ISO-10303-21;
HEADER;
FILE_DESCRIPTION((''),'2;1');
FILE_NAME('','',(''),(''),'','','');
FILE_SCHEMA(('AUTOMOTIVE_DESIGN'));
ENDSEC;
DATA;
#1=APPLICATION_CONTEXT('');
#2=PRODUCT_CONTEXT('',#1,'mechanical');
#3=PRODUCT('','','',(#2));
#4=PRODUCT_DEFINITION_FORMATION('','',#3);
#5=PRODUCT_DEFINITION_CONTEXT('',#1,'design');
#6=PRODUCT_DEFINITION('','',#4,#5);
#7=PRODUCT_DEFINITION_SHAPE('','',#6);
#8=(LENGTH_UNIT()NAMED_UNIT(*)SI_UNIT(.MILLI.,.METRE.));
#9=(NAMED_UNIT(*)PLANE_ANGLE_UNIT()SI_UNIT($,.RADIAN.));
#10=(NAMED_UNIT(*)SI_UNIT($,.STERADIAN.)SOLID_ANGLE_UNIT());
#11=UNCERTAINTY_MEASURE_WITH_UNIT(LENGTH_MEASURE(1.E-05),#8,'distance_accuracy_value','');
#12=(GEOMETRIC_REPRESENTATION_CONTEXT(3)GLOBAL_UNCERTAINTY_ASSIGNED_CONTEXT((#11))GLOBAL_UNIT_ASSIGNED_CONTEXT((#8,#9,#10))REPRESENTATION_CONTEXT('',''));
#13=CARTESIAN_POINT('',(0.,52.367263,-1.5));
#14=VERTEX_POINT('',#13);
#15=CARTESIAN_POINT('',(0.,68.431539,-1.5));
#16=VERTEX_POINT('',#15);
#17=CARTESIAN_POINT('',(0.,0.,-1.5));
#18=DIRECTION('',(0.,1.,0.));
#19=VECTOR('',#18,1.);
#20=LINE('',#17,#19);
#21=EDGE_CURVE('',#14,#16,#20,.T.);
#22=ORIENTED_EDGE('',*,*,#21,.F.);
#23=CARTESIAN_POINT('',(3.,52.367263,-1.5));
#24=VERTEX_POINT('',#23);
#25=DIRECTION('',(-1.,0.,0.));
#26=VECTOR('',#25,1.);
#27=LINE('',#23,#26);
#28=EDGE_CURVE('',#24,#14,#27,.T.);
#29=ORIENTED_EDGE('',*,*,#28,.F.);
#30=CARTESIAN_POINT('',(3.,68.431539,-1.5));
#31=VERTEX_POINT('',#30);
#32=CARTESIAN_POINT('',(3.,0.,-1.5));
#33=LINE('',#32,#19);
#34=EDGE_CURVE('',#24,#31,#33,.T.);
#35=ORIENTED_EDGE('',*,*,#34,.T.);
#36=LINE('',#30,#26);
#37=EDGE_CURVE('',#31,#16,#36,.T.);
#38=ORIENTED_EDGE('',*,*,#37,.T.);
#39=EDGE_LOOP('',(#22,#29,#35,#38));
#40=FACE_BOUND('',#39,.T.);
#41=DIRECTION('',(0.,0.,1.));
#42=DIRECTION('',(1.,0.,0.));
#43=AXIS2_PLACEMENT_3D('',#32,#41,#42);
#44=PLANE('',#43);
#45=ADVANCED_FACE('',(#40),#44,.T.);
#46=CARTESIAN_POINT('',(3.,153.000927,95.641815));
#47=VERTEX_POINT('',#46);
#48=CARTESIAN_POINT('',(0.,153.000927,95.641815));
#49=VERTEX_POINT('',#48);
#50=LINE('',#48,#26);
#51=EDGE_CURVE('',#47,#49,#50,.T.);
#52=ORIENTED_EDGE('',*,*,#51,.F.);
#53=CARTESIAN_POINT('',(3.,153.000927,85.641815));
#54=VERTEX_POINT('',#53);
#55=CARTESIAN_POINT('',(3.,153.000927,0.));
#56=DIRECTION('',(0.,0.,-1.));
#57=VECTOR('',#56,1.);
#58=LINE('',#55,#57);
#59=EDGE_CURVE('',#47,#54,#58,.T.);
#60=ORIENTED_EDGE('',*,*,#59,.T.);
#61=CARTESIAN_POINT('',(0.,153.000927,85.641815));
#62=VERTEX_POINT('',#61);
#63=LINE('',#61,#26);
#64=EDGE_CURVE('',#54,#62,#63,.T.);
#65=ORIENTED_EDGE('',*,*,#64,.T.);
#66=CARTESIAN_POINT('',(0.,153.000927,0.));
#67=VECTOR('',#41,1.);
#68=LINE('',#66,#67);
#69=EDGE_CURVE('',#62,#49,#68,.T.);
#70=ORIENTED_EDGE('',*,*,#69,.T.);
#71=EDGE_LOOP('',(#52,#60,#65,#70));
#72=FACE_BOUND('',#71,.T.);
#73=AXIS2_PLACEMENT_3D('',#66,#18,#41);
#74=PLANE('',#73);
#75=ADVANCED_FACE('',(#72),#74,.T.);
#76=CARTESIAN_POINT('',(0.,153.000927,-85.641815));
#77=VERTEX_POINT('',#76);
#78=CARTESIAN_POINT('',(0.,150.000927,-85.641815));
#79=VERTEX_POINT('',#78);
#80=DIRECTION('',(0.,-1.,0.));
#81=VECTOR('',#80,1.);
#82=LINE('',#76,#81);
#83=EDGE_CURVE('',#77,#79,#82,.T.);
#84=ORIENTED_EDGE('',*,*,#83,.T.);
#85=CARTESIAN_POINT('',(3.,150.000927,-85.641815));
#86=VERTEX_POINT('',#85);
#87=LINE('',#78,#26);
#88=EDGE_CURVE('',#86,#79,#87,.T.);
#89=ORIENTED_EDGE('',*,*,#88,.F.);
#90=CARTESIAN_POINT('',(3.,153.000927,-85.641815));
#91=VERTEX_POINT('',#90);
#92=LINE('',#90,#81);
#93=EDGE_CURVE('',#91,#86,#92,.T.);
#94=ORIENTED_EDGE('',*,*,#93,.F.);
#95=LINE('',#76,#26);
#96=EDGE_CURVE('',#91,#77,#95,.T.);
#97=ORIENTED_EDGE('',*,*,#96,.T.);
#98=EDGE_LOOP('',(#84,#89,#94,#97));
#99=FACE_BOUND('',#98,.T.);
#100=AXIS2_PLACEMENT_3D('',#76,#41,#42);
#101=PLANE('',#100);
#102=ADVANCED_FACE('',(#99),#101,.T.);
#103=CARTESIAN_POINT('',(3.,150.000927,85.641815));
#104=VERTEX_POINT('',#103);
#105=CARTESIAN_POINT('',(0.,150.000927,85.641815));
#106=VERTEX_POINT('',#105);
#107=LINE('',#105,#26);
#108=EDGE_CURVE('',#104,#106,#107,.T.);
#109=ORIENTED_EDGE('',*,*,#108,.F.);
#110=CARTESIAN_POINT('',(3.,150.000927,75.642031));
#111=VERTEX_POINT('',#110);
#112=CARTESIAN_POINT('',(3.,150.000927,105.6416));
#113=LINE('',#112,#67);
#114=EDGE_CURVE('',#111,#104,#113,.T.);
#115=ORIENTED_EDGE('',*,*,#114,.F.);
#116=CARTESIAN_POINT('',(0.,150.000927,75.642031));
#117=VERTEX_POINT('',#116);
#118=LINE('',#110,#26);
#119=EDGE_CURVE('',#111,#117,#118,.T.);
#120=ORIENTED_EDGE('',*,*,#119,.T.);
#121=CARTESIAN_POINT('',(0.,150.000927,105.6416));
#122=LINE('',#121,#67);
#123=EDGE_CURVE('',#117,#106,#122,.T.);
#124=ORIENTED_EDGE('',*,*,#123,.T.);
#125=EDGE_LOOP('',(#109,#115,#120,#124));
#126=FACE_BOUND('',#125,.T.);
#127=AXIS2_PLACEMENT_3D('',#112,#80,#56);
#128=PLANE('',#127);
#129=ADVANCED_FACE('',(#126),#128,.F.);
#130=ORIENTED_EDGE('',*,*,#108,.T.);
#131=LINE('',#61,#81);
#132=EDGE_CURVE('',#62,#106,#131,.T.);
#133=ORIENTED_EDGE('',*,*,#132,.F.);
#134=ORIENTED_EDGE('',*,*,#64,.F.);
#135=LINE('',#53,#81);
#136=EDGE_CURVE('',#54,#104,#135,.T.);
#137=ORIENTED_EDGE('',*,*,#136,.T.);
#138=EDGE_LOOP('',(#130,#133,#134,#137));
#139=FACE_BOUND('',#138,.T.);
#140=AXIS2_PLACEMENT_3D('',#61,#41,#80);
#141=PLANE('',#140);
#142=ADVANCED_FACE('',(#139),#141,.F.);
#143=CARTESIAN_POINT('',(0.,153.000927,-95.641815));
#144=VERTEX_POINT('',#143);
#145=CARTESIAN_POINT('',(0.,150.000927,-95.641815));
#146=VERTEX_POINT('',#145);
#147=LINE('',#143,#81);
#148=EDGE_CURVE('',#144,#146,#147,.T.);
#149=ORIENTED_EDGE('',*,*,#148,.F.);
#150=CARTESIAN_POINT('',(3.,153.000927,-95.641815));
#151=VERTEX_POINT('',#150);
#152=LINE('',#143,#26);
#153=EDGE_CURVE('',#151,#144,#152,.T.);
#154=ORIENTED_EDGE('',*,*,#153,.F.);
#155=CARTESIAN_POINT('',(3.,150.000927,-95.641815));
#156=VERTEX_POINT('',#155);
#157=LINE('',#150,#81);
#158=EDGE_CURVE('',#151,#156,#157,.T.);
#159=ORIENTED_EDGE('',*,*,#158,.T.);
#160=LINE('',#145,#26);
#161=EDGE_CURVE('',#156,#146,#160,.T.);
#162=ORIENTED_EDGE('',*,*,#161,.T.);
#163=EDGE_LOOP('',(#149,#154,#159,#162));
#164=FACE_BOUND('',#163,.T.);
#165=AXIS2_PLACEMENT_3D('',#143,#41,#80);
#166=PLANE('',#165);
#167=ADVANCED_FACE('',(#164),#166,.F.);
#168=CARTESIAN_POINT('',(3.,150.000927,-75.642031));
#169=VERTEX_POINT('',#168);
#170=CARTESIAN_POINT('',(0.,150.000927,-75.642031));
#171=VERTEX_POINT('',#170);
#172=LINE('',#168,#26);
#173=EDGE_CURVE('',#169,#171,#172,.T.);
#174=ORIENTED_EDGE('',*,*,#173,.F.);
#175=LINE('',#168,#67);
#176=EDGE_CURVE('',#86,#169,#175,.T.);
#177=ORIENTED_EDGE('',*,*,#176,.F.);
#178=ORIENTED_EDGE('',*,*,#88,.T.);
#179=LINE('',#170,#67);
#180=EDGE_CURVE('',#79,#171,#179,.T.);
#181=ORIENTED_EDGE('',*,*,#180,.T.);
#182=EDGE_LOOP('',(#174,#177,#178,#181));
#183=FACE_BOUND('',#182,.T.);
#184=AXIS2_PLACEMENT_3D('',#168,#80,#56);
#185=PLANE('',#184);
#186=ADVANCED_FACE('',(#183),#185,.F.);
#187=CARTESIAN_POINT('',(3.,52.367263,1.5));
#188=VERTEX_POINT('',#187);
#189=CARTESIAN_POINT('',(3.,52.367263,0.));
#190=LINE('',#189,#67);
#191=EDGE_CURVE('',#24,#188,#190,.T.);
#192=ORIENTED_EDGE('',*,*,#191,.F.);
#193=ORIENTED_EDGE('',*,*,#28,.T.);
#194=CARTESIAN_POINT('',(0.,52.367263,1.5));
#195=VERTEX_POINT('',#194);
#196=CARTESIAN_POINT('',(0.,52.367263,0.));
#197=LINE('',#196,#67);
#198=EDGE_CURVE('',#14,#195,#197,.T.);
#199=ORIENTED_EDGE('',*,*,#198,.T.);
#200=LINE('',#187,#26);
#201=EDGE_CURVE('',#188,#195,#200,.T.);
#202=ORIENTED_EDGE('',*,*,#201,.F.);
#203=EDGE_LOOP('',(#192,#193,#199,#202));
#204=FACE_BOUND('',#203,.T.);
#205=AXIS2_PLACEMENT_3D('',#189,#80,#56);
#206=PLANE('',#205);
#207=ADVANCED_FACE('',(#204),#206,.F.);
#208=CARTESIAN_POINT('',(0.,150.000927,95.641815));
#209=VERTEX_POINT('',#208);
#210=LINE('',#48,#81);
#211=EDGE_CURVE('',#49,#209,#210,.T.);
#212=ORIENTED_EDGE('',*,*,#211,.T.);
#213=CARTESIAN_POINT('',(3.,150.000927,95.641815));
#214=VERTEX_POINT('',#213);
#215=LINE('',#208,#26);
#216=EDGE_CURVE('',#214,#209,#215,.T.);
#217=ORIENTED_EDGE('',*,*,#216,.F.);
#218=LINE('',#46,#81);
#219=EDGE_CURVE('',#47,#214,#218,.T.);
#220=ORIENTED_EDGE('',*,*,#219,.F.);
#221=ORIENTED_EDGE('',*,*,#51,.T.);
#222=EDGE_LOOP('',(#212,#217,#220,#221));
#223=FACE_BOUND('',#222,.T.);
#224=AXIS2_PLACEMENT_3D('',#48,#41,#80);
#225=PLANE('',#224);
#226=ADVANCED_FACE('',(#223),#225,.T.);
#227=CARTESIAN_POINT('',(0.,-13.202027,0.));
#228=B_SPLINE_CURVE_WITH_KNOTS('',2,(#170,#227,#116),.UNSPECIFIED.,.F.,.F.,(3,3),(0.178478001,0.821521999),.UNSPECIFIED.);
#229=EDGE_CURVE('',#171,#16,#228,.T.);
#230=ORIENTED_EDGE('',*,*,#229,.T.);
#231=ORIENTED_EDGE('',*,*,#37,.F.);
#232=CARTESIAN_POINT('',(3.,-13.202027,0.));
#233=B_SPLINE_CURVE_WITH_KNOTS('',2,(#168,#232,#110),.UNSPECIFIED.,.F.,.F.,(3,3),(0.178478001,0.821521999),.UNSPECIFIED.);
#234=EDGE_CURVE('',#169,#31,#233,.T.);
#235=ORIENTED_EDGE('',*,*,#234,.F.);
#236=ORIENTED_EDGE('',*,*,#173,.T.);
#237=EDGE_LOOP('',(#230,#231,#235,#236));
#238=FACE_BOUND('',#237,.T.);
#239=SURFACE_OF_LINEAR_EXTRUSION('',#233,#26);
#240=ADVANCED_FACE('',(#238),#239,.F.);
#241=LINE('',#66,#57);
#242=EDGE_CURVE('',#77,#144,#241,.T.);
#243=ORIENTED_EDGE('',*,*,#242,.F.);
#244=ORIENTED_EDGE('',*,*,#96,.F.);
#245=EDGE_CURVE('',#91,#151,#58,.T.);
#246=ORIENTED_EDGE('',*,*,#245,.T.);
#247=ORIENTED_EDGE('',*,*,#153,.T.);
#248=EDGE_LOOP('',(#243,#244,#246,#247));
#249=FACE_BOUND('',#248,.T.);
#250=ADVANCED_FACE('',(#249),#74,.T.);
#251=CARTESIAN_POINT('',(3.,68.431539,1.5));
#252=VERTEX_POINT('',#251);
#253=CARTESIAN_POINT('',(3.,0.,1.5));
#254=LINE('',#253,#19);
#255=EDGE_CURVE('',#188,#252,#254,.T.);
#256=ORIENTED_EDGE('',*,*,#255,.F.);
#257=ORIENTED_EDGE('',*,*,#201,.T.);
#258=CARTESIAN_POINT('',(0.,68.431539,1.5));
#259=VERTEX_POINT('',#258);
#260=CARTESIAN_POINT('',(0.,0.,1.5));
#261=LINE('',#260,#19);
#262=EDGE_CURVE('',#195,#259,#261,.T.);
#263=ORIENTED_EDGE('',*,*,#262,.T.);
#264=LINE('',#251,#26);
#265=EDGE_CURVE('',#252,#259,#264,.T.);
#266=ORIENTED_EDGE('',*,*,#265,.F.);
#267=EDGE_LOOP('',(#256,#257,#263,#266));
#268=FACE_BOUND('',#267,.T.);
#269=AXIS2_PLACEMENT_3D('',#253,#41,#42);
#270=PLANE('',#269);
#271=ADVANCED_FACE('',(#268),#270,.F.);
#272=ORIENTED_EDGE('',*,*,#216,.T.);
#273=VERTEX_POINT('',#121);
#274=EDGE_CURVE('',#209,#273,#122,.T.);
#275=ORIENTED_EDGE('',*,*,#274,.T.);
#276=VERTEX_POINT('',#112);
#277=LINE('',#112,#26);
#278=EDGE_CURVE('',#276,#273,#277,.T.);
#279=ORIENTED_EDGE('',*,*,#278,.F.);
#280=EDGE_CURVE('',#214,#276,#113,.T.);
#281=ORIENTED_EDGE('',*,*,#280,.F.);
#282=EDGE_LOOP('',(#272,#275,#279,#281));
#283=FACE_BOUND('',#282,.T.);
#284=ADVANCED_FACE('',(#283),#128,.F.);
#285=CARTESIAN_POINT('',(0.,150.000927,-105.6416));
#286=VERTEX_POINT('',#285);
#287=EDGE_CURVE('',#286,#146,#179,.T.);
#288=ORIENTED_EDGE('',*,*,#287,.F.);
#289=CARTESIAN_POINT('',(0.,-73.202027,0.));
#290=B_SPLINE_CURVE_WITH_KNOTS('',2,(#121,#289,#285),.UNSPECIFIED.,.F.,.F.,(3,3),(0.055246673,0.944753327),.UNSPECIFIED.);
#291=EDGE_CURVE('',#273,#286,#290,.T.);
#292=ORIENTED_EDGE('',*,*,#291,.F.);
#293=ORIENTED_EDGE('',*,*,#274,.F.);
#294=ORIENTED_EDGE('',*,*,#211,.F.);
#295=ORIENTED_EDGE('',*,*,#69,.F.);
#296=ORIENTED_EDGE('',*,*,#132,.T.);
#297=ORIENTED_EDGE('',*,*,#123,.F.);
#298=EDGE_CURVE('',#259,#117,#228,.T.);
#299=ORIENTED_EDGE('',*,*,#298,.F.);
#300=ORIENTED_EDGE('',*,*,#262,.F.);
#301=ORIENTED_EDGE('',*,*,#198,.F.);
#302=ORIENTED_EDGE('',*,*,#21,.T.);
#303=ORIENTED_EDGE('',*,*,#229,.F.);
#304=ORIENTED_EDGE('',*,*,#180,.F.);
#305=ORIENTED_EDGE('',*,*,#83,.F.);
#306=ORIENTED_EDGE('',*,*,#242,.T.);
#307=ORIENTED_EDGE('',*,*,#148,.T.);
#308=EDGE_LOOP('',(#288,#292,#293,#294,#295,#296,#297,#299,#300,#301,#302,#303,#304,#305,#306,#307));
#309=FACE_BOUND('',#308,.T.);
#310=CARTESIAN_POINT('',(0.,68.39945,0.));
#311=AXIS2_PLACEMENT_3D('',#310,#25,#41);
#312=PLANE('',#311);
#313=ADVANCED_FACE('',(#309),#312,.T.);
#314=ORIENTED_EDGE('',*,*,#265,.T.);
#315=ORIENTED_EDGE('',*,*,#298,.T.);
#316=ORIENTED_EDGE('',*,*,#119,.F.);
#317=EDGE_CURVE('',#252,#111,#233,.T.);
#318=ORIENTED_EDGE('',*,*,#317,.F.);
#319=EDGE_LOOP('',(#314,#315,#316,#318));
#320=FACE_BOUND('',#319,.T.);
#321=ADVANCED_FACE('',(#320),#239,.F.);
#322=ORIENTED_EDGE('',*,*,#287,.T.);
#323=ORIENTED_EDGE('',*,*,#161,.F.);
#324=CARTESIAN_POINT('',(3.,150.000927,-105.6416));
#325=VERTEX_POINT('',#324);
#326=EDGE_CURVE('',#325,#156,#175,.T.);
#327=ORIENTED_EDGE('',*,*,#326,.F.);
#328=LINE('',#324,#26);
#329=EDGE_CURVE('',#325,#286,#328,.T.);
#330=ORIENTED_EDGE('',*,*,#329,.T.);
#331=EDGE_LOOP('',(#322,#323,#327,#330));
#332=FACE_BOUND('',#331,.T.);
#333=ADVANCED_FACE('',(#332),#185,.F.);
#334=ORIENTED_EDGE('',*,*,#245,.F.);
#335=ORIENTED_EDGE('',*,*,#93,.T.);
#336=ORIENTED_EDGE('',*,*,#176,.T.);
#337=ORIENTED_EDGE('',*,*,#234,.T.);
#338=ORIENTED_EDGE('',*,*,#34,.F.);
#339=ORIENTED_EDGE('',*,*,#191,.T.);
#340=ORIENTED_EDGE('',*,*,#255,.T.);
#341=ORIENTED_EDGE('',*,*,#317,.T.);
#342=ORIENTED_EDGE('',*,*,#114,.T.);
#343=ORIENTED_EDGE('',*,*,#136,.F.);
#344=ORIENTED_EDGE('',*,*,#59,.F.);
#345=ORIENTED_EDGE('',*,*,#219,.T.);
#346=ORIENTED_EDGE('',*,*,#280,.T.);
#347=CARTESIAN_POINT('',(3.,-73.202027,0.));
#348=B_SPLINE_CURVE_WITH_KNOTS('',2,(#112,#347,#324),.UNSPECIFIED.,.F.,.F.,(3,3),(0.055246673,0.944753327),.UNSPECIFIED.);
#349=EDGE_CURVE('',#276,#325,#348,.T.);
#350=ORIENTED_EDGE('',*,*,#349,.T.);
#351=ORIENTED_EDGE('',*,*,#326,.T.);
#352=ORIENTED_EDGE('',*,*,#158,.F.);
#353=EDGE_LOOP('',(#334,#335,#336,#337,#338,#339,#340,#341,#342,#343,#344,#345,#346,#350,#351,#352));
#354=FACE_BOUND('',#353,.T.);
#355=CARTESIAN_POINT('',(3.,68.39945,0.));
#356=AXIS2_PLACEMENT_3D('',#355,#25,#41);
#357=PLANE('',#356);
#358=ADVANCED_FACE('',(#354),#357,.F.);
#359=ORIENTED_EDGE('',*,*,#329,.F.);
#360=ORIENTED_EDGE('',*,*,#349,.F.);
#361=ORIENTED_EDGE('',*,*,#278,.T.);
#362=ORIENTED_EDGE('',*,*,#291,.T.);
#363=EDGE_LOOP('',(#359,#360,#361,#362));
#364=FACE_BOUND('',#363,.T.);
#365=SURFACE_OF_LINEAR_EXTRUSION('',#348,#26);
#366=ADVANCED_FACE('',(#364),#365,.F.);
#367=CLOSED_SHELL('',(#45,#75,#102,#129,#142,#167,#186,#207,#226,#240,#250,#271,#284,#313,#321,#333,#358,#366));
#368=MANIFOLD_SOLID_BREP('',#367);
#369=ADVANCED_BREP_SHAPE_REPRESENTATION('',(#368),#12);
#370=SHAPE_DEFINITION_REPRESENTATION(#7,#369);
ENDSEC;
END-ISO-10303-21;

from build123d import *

# Parameters (mm, degrees)
EXTRUDE_1_DEPTH     = 3
EXTRUDE_2_DEPTH     = 3
CUT_EXTRUDE_1_DEPTH = 186.952766777


with BuildPart() as part:
    # 草图1 → 凸台-拉伸1 (new body)
    with BuildSketch(Plane(origin=(0, 0, 0), x_dir=(0, 0, -1), z_dir=(1, 0, 0))):
        with BuildLine():
            Line((-105.6416003, 150.00092714), (-75.642030641, 150.00092714))
            add(Edge.make_bspline(
                [(-75.642030641, 150.00092714), (0, -13.20202714), (75.642030641, 150.00092714)],
                knots=[0.178478001, 0.178478001, 0.178478001, 0.821521999, 0.821521999, 0.821521999], degree=2))
            Line((75.642030641, 150.00092714), (105.6416003, 150.00092714))
            add(Edge.make_bspline(
                [(-105.6416003, 150.00092714), (0, -73.20202714), (105.6416003, 150.00092714)],
                knots=[0.055246673, 0.055246673, 0.055246673, 0.944753327, 0.944753327, 0.944753327], degree=2))
        make_face()
    extrude(amount=EXTRUDE_1_DEPTH)

    # 草图2 → 凸台-拉伸2 (add)
    with BuildSketch(Plane(origin=(0, 150.00092714, 0), x_dir=(1, 0, 0), z_dir=(0, 1, 0))):
        Polygon((0, 85.641815471), (0.999992828, 85.641815471), (2.000007172, 95.641815471), (0, 95.641815471), align=None)
        Polygon((2.000007172, 95.641815471), (0.999992828, 85.641815471), (3, 85.641815471), (3, 95.641815471), align=None)
        Polygon((0, -95.641815471), (0.999992828, -95.641815471), (2.000007172, -85.641815471), (0, -85.641815471), align=None)
        Polygon((2.000007172, -85.641815471), (0.999992828, -95.641815471), (3, -95.641815471), (3, -85.641815471), align=None)
    extrude(amount=EXTRUDE_2_DEPTH)

    # 草图3 → 切除-拉伸1 (cut, through all)
    with BuildSketch(Plane.ZY):
        with BuildLine():
            Line((-1.5, 68.431538852), (-1.5, 52.367262904))
            Line((-1.5, 52.367262904), (1.5, 52.367262904))
            Line((1.5, 52.367262904), (1.5, 68.431538852))
            add(Edge.make_bspline(
                [(1.5, 68.431538852), (0, 68.367361148), (-1.5, 68.431538852)],
                knots=[0.49362414, 0.49362414, 0.49362414, 0.50637586, 0.50637586, 0.50637586], degree=2))
        make_face()
    extrude(amount=-CUT_EXTRUDE_1_DEPTH, mode=Mode.SUBTRACT)


solid = part.part
